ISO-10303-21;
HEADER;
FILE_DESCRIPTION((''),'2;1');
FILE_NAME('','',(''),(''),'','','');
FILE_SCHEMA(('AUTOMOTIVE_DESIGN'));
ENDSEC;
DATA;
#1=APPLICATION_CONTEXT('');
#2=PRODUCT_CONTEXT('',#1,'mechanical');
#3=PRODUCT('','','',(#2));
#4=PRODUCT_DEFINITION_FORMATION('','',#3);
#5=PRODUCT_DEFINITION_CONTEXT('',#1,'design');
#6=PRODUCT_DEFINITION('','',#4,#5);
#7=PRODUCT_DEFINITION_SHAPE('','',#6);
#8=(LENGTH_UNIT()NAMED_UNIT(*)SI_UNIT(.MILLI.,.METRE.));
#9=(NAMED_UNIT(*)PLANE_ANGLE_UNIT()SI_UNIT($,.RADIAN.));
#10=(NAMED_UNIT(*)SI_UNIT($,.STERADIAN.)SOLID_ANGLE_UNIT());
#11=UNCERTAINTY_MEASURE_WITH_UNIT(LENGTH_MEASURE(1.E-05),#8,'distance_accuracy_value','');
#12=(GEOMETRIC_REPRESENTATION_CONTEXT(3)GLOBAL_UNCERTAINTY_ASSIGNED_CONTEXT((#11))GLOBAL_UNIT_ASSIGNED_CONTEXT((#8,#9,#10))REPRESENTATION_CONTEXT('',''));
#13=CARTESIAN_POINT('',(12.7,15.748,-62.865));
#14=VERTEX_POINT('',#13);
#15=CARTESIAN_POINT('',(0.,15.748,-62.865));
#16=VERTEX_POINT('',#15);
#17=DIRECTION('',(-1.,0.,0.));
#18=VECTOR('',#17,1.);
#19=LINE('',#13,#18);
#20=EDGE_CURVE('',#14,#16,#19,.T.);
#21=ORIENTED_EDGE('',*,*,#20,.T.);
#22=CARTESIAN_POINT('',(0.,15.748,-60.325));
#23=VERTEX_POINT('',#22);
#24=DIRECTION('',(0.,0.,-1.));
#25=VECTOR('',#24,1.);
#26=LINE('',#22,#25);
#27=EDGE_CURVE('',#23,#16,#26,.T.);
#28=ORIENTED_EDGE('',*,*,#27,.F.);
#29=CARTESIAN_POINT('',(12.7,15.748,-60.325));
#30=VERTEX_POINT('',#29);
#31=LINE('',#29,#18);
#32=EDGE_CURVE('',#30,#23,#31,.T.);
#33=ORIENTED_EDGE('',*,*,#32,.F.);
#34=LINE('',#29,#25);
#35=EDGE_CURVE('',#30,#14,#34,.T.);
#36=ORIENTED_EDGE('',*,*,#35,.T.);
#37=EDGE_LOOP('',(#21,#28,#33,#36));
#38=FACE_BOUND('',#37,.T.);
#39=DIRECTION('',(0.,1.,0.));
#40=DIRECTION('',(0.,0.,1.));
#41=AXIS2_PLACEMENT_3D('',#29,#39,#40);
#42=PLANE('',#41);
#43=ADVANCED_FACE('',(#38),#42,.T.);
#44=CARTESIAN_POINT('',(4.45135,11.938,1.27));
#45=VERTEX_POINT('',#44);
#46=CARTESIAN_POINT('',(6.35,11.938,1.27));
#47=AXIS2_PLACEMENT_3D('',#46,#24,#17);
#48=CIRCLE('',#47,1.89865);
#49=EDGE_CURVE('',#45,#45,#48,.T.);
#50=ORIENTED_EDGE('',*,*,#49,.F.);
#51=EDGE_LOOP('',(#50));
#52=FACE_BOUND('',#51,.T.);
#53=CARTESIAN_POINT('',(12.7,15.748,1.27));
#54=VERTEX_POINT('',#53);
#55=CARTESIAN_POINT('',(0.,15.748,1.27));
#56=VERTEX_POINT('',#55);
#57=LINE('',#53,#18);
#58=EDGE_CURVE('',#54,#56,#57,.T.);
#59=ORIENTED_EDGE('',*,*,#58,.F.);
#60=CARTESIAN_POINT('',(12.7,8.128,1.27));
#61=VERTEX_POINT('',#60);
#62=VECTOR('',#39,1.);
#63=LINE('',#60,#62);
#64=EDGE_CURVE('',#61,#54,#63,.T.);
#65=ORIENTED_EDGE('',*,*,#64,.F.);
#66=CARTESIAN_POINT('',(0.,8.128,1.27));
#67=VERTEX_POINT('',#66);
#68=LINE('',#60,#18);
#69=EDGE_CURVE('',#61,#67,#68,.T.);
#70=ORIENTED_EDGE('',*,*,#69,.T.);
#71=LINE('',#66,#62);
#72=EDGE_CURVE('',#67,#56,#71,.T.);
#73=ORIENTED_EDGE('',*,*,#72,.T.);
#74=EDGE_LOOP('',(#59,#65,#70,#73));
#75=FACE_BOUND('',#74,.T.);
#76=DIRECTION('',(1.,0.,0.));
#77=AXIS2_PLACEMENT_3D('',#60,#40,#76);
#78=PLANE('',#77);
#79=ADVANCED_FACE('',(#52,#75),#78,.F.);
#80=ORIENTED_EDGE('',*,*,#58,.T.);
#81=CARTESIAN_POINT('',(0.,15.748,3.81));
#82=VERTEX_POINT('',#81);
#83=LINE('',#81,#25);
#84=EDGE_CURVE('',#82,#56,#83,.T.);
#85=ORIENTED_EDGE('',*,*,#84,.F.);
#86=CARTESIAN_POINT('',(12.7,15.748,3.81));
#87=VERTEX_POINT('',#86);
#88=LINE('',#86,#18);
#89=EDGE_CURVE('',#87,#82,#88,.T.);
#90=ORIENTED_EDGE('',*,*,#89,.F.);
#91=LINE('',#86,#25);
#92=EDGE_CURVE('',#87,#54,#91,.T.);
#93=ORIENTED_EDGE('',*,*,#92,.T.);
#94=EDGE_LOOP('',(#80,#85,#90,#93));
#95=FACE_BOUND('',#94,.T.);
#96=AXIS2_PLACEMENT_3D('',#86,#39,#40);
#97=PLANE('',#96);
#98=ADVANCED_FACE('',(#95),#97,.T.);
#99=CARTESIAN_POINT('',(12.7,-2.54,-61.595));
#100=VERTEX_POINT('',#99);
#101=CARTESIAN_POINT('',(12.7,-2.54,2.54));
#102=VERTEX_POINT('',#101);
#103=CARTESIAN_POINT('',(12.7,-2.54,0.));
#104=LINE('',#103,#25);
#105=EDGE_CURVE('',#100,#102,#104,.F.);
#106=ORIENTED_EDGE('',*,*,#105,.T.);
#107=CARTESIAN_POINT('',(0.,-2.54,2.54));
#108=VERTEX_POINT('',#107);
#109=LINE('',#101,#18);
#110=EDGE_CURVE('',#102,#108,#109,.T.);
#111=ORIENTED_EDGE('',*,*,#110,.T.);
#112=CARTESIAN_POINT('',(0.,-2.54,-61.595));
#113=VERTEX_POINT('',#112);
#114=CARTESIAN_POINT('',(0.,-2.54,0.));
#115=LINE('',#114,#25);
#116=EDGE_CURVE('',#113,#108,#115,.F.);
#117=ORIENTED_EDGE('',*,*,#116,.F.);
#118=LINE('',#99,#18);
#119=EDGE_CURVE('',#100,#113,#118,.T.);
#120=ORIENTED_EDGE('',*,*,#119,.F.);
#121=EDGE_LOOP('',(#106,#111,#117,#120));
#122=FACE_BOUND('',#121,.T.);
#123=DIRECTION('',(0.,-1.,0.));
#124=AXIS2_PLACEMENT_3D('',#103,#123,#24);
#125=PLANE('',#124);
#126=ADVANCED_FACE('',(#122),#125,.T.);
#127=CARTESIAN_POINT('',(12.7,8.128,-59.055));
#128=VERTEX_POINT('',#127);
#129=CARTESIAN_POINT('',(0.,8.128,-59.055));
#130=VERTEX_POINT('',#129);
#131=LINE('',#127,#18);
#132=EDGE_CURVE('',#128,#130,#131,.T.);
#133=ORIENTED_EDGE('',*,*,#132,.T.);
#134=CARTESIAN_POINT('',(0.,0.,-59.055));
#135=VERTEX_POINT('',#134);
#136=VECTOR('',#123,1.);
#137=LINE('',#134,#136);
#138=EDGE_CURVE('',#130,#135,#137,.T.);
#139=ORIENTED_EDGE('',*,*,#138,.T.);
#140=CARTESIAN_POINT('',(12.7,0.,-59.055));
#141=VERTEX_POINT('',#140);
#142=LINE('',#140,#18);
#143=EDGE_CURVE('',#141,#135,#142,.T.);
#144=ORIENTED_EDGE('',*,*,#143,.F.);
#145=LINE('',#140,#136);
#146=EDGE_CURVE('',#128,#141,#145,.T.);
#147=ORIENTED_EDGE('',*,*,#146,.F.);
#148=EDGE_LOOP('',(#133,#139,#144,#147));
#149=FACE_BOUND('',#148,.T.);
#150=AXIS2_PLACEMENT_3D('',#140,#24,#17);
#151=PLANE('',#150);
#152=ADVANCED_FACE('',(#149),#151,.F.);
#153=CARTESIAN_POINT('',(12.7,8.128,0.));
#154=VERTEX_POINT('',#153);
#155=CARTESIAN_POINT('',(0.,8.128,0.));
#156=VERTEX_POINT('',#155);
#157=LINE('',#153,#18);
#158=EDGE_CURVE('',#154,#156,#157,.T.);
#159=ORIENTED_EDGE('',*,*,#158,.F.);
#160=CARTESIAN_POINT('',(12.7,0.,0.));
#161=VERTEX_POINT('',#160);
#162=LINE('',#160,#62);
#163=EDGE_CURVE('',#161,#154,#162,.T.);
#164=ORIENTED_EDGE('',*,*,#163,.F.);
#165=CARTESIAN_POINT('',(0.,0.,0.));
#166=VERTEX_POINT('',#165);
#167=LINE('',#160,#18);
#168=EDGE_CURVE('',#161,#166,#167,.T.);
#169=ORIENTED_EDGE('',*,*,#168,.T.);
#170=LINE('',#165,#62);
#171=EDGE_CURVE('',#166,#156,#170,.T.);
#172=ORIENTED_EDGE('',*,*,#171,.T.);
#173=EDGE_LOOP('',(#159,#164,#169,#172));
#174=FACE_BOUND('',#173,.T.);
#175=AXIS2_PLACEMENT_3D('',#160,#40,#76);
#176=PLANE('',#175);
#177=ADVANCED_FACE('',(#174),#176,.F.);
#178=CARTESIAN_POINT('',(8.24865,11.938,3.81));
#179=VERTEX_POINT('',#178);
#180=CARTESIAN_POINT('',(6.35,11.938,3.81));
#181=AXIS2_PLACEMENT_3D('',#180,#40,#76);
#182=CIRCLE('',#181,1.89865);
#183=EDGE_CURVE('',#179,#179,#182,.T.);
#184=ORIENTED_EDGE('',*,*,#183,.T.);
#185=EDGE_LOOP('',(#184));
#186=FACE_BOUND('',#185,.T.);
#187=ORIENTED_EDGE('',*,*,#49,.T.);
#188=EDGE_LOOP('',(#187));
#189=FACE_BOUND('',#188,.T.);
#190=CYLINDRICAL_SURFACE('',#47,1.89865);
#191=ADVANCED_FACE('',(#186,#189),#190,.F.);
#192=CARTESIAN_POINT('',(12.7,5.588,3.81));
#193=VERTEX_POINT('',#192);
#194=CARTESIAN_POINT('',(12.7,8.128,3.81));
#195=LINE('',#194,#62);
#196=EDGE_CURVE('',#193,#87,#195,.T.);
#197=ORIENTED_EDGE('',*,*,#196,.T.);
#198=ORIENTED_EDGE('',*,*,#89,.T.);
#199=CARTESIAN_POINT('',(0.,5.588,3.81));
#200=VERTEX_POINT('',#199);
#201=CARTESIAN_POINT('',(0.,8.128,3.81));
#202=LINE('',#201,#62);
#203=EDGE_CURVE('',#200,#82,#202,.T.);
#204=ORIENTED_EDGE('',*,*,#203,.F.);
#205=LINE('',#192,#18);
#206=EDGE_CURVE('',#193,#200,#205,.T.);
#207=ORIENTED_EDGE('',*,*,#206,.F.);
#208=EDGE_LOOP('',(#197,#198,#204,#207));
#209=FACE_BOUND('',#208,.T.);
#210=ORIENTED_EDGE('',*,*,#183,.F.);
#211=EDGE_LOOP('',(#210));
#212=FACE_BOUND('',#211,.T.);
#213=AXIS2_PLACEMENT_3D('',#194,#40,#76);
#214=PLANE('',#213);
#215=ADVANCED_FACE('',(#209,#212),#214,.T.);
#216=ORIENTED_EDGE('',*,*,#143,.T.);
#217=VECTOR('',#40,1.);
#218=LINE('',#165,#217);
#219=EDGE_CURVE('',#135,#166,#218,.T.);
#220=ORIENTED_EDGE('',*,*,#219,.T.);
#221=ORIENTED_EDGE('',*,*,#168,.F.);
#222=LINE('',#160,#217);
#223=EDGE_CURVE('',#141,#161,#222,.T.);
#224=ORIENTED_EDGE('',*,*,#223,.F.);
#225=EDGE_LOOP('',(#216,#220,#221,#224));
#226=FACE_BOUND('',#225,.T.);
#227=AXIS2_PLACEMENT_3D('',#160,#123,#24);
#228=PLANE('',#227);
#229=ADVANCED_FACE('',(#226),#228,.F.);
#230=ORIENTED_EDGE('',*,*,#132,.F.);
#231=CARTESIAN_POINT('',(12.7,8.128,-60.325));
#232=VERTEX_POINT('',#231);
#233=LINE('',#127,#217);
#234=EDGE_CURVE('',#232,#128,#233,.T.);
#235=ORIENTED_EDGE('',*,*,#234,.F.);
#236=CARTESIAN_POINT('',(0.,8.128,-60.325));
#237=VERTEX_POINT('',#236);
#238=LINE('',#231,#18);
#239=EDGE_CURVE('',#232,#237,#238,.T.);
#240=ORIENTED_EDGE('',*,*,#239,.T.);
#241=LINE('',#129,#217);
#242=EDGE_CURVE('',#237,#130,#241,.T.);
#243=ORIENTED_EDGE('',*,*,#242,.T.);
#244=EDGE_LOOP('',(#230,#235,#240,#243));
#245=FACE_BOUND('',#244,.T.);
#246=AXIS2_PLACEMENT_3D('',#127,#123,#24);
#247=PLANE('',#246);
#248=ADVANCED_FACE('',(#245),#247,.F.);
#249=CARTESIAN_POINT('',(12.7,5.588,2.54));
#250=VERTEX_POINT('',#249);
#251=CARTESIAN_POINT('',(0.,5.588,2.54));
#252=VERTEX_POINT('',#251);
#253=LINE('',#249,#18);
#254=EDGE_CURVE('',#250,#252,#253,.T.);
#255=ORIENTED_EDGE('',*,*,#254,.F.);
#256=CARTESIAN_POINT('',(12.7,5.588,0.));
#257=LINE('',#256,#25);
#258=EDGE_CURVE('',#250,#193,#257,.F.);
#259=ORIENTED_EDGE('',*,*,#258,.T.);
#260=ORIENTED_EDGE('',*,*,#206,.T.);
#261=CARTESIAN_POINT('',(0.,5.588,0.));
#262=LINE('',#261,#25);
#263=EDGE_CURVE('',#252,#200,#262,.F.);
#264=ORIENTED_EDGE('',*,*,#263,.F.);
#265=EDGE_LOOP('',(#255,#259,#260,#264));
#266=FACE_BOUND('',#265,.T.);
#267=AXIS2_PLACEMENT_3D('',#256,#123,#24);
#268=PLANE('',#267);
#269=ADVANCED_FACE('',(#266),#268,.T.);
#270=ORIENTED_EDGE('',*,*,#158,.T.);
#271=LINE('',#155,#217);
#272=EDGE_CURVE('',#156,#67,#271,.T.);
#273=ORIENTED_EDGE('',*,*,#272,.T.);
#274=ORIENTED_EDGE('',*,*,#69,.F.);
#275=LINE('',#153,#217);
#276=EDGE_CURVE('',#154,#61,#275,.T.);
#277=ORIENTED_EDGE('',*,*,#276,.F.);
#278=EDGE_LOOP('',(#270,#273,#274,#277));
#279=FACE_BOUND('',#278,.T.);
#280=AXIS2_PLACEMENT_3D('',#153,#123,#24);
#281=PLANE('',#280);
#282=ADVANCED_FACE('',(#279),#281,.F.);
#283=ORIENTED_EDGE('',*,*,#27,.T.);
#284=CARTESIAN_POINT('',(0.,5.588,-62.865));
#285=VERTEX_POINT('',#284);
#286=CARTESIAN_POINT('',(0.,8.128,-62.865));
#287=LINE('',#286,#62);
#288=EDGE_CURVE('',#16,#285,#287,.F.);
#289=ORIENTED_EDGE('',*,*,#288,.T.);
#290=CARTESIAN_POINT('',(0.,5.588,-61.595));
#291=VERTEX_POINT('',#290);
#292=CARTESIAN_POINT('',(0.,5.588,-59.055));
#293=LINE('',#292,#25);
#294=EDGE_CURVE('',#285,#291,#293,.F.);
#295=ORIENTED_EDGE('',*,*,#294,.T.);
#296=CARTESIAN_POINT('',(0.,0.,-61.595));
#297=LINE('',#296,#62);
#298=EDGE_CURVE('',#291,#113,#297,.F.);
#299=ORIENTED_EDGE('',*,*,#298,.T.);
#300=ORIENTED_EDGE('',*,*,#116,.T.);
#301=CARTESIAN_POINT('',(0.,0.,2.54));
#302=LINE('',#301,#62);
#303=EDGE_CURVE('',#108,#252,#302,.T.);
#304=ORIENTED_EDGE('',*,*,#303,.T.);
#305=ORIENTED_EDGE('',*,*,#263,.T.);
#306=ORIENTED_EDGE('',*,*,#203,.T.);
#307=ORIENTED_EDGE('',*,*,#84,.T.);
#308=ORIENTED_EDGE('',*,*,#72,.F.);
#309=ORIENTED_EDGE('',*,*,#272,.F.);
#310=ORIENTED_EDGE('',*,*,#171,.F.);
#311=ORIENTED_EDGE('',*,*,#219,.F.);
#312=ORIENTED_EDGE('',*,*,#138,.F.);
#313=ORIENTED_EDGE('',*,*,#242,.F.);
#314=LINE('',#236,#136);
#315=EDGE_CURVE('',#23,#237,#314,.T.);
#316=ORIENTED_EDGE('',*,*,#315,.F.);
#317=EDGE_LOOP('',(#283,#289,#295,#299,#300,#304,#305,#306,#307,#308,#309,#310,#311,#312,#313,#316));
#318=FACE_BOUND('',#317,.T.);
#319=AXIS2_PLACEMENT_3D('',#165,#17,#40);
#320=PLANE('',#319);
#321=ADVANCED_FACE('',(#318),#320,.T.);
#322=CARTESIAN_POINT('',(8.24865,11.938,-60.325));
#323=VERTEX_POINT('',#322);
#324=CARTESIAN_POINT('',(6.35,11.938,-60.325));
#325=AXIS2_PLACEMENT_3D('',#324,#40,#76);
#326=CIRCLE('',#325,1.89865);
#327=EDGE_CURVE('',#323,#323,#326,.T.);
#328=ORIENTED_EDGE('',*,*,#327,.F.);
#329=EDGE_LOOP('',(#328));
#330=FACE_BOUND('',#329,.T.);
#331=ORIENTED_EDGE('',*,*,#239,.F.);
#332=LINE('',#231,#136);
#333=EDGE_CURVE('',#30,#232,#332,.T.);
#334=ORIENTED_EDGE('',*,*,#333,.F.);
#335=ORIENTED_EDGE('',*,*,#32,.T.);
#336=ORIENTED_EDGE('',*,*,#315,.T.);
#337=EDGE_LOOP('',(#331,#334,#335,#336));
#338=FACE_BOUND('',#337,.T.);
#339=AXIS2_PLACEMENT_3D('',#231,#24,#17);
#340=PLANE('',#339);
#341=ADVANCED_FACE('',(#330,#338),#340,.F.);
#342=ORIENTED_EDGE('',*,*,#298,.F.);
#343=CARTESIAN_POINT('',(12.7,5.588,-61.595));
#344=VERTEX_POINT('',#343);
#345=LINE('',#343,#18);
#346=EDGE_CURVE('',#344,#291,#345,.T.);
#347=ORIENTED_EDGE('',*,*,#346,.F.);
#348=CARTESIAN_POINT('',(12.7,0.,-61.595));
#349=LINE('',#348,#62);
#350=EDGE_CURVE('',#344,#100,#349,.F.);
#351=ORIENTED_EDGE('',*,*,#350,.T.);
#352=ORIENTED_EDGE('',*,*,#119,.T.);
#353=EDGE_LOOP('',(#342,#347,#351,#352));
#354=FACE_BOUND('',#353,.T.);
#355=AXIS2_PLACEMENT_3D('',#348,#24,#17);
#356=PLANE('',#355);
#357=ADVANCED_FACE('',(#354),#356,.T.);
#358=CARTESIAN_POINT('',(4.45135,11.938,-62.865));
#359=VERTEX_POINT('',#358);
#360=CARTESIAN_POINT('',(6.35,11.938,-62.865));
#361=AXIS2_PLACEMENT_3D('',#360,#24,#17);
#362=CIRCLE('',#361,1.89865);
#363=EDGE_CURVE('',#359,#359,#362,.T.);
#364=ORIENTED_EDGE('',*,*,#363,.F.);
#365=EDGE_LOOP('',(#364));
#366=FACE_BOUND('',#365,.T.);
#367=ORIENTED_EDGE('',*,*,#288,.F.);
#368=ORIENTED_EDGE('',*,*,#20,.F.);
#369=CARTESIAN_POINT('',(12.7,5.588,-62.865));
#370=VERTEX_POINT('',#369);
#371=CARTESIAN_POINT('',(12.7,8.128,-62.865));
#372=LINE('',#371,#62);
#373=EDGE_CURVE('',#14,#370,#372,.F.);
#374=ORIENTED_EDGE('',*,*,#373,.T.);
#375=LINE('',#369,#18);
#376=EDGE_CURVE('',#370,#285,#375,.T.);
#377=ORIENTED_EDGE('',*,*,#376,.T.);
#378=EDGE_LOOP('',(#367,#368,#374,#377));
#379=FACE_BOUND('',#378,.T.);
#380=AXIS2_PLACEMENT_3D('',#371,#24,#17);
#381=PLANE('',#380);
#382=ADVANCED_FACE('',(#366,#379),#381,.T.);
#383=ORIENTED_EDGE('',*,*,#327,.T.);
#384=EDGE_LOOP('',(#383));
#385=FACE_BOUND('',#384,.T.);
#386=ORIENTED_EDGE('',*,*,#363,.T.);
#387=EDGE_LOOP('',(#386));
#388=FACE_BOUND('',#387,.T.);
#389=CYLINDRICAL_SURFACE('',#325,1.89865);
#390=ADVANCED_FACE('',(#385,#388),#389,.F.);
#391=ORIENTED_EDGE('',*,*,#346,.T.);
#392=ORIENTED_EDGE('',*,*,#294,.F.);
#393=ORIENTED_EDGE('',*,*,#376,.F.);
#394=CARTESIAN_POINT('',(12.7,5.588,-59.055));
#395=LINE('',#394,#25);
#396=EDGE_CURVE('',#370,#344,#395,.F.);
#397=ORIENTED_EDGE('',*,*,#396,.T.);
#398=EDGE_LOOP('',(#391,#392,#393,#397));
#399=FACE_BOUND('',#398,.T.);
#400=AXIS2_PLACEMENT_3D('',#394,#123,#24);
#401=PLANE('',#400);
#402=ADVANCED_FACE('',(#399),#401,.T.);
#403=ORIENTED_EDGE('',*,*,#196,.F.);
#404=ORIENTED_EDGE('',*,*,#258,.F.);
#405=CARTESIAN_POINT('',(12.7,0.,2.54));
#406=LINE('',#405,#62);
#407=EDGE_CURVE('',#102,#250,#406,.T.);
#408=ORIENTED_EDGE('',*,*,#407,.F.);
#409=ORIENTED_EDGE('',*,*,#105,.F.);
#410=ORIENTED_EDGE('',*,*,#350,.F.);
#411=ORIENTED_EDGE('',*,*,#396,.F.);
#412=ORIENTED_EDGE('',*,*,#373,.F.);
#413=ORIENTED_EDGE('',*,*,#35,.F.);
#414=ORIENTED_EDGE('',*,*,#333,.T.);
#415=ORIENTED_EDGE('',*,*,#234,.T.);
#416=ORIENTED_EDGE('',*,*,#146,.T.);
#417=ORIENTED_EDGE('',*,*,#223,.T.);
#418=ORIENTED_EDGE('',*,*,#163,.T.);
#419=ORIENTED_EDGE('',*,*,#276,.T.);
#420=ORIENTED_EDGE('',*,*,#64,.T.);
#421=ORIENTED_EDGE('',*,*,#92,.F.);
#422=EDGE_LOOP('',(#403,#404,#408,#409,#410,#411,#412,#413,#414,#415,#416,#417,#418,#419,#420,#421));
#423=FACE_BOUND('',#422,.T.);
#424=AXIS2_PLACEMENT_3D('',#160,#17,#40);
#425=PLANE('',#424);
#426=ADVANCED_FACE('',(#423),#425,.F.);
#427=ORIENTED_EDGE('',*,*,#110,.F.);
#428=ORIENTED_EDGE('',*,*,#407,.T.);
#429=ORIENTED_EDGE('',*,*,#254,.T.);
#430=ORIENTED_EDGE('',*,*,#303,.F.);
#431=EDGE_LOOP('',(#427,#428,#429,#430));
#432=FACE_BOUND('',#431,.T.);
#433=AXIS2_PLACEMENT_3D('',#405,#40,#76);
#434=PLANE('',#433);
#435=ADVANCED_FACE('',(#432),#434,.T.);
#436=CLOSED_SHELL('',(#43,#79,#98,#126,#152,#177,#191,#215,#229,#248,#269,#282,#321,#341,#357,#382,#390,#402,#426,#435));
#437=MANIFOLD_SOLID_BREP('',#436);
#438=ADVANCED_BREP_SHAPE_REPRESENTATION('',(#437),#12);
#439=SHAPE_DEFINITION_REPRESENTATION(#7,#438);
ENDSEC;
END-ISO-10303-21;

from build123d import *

# Parameters (mm, degrees)
EXTRUDE_THIN1_DEPTH       = 12.7
F_6_CLEARANCE_HOLE1_D     = 3.7973
F_6_CLEARANCE_HOLE1_DEPTH = 7.62
F_6_CLEARANCE_HOLE1_TIP   = 1.140824014
F_6_CLEARANCE_HOLE2_D     = 3.7973
F_6_CLEARANCE_HOLE2_DEPTH = 7.62
F_6_CLEARANCE_HOLE2_TIP   = 1.140824014


with BuildPart() as part:
    # Sketch1 → Extrude-Thin1 (new body)
    with BuildSketch(Plane(origin=(0, 0, 0), x_dir=(0, 0, -1), z_dir=(1, 0, 0))):
        Polygon((-1.27, 15.748), (-1.27, 8.128), (0, 8.128), (0, 0), (59.055, 0), (59.055, 8.128), (60.325, 8.128), (60.325, 15.748), (62.865, 15.748), (62.865, 5.588), (61.595, 5.588), (61.595, -2.54), (-2.54, -2.54), (-2.54, 5.588), (-3.81, 5.588), (-3.81, 15.748), align=None)
    extrude(amount=EXTRUDE_THIN1_DEPTH)

    # #6 Clearance Hole1
    with Locations(Plane(origin=(0, 0, 1.27), x_dir=(-1, 0, 0), z_dir=(0, 0, -1))):
        with Locations((-6.35, 11.938)):
            Hole(F_6_CLEARANCE_HOLE1_D / 2, depth=F_6_CLEARANCE_HOLE1_DEPTH)
            with Locations((0, 0, -(F_6_CLEARANCE_HOLE1_DEPTH + F_6_CLEARANCE_HOLE1_TIP / 2))):  # 118° drill point
                Cone(0, F_6_CLEARANCE_HOLE1_D / 2, F_6_CLEARANCE_HOLE1_TIP, mode=Mode.SUBTRACT)

    # #6 Clearance Hole2
    with Locations(Plane.XY.offset(-60.325)):
        with Locations((6.35, 11.938)):
            Hole(F_6_CLEARANCE_HOLE2_D / 2, depth=F_6_CLEARANCE_HOLE2_DEPTH)
            with Locations((0, 0, -(F_6_CLEARANCE_HOLE2_DEPTH + F_6_CLEARANCE_HOLE2_TIP / 2))):  # 118° drill point
                Cone(0, F_6_CLEARANCE_HOLE2_D / 2, F_6_CLEARANCE_HOLE2_TIP, mode=Mode.SUBTRACT)


solid = part.part
